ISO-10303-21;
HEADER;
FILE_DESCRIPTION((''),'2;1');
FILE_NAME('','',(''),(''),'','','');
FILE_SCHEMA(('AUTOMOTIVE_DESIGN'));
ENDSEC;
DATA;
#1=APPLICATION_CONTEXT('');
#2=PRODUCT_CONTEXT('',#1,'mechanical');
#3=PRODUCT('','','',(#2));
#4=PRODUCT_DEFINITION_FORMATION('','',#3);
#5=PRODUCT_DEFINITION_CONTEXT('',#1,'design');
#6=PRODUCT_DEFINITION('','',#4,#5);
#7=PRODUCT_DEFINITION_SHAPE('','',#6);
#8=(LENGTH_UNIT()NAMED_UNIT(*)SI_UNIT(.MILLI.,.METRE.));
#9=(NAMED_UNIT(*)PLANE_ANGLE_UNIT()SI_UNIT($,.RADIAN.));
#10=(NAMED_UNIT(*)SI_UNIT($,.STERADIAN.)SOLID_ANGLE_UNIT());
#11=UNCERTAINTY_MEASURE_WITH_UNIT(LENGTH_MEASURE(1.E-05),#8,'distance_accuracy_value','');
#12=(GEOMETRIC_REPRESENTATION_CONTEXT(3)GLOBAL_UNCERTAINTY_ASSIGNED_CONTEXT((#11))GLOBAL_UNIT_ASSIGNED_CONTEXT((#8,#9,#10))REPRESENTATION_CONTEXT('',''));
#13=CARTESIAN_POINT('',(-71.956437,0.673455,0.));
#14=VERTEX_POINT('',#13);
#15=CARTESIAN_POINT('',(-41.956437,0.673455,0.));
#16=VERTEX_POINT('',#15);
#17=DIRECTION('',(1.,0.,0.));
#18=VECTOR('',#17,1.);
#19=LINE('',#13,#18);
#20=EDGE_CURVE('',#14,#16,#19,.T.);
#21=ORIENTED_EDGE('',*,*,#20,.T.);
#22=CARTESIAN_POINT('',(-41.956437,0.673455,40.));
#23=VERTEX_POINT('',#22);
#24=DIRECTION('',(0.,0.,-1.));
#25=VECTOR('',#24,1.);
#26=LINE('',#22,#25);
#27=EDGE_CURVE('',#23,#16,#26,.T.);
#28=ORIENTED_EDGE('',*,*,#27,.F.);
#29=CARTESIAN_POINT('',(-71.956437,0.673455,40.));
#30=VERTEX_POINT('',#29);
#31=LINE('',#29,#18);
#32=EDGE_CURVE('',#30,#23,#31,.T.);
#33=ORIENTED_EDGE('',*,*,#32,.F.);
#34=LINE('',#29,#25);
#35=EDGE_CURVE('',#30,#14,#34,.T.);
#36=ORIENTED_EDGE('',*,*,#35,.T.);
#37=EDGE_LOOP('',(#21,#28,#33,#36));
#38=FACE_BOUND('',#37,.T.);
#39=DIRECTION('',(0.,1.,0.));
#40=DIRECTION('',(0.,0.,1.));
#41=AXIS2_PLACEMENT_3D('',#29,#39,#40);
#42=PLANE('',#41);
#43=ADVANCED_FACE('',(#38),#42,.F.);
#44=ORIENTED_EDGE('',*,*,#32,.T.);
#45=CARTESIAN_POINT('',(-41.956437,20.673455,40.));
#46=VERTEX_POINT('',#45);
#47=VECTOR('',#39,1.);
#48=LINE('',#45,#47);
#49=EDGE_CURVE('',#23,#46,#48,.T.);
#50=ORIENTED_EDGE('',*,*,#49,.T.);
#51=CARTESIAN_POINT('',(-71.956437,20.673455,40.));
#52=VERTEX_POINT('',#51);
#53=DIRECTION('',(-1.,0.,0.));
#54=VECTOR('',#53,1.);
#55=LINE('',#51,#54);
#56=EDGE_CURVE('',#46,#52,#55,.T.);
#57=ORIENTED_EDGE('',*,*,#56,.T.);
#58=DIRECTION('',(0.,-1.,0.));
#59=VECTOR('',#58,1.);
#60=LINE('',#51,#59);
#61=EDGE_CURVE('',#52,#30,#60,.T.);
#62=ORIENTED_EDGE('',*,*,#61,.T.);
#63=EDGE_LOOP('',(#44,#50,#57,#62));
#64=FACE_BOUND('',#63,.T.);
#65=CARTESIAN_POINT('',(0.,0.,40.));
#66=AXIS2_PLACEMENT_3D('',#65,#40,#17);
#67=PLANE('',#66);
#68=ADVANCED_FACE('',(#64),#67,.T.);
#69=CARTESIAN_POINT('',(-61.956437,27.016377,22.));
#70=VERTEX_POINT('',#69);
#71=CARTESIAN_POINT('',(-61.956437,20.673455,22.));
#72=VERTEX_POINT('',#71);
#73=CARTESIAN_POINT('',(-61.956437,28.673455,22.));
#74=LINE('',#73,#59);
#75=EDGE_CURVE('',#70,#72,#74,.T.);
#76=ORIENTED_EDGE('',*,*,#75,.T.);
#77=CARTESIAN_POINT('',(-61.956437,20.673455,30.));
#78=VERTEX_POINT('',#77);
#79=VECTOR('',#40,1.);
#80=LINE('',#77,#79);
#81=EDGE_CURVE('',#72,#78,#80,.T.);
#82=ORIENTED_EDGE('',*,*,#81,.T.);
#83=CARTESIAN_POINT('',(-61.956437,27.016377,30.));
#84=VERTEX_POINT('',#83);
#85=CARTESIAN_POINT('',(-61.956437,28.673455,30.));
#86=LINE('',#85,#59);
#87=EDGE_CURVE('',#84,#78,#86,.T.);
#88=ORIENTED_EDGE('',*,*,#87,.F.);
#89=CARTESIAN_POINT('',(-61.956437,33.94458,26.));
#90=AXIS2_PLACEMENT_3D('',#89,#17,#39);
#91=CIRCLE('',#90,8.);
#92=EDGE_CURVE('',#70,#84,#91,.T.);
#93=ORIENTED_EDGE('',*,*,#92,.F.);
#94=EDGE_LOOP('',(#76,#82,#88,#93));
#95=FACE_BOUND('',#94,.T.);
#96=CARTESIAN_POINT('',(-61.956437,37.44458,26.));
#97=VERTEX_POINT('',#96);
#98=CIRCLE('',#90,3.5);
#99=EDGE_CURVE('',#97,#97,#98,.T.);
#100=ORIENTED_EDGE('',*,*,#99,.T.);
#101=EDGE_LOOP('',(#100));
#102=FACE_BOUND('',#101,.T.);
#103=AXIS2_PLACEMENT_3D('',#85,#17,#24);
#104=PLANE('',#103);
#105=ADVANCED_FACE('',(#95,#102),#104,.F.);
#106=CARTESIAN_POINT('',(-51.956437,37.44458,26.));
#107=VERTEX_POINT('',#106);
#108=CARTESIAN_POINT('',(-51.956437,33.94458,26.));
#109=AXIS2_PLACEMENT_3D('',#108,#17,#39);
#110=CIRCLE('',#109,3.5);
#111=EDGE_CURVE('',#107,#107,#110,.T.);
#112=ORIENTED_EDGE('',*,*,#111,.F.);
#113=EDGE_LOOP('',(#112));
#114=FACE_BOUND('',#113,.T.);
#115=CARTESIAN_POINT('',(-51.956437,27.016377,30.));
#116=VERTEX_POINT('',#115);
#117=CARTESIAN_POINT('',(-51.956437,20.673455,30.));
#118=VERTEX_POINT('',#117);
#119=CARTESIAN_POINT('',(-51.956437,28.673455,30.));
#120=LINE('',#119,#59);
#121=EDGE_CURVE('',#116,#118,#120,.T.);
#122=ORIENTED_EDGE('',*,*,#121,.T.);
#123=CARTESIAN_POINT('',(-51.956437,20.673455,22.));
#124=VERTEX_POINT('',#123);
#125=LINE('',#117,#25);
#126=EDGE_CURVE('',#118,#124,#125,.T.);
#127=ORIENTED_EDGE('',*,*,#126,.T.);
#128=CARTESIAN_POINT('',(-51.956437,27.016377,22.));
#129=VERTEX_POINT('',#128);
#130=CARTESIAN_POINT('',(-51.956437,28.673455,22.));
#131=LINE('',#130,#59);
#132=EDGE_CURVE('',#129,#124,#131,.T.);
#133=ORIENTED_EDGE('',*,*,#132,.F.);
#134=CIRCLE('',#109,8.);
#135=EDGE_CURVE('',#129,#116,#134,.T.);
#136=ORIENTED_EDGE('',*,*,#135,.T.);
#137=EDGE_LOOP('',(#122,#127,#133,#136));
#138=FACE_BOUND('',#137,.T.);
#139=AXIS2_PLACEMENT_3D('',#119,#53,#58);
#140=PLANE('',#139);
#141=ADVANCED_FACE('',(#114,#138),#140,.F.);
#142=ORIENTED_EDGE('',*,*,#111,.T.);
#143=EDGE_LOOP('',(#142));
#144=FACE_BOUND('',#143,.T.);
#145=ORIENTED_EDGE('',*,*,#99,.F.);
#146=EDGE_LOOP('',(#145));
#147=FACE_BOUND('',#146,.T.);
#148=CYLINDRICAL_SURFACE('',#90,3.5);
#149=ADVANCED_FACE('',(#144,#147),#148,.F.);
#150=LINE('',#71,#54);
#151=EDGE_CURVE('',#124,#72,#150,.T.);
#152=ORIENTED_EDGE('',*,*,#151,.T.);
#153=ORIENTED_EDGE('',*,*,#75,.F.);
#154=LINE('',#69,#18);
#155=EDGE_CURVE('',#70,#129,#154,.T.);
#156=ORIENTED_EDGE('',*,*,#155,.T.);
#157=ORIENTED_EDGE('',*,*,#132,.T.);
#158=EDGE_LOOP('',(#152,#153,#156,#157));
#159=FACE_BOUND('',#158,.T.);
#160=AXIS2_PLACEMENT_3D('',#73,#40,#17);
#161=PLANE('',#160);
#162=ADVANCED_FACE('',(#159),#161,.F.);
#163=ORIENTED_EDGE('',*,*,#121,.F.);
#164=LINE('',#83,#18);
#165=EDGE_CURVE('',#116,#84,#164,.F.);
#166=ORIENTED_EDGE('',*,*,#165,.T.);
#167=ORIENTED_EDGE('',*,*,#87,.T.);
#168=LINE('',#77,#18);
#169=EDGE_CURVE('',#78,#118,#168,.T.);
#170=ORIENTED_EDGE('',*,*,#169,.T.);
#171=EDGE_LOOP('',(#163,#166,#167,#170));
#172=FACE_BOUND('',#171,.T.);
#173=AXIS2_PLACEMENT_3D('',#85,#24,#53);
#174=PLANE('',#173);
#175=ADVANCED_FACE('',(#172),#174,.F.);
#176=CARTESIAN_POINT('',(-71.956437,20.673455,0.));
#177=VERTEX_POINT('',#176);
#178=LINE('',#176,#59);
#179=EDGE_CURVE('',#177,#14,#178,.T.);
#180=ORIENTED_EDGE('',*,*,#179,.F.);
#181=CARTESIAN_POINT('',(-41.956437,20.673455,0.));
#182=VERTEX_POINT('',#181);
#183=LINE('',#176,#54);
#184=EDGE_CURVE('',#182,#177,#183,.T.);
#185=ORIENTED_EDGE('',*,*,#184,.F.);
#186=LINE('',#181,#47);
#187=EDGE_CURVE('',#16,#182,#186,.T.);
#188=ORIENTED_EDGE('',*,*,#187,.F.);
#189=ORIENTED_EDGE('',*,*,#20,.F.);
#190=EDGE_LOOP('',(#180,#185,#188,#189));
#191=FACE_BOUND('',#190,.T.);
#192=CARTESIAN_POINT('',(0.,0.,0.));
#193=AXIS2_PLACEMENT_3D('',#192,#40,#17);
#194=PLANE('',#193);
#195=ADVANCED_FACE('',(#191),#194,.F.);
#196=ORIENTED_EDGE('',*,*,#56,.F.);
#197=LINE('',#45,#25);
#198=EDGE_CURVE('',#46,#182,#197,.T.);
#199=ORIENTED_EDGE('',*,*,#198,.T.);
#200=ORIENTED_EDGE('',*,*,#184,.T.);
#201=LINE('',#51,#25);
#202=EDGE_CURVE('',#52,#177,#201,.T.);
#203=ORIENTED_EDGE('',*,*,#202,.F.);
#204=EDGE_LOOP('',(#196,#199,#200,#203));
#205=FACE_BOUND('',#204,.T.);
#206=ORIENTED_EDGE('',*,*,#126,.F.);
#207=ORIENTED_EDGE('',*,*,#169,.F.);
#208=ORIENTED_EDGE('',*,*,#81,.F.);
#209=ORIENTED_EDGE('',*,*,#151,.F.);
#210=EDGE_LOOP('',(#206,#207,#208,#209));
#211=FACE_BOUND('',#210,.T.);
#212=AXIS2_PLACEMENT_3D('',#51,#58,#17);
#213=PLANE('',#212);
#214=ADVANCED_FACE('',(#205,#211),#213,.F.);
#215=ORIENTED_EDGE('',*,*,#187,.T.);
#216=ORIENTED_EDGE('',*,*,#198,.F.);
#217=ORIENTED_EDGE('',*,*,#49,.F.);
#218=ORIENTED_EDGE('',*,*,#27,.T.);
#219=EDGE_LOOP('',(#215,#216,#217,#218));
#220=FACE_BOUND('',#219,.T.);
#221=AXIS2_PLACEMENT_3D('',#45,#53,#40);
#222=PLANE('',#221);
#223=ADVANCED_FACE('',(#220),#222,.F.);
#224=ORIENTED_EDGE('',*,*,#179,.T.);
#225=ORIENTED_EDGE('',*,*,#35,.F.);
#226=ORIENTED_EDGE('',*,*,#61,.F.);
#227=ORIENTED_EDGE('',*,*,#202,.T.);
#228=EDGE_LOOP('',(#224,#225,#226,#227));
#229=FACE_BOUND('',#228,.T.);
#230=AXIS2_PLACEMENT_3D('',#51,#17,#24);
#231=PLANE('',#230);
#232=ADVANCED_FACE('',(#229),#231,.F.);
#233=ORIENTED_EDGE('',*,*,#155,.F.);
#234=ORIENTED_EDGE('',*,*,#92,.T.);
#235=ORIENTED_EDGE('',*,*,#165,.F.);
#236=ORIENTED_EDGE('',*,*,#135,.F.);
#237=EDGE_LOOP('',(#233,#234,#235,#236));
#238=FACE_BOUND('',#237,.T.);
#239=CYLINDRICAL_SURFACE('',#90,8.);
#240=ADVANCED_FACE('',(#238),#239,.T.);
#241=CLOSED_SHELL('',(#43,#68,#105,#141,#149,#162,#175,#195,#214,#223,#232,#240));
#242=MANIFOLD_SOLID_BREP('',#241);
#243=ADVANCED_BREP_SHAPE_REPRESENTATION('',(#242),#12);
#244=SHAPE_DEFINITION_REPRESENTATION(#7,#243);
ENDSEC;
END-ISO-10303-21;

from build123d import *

# Parameters (mm, degrees)
ESQUISSE1_W        = 30
ESQUISSE1_H        = 20
BOSS_EXTRU_1_DEPTH = 40
ESQUISSE3_W        = 10
ESQUISSE3_H        = 8
BOSS_EXTRU_2_DEPTH = 8
ESQUISSE6_R        = 8
ESQUISSE6_R_2      = 3.5
BOSS_EXTRU_3_DEPTH = 10


with BuildPart() as part:
    # Esquisse1 → Boss.-Extru.1 (new body)
    with BuildSketch(Plane.XY):
        with Locations((-56.95643744, 10.673454793)):
            Rectangle(ESQUISSE1_W, ESQUISSE1_H)
    extrude(amount=BOSS_EXTRU_1_DEPTH)

    # Esquisse3 → Boss.-Extru.2 (add)
    with BuildSketch(Plane(origin=(0, 20.673454793, 0), x_dir=(1, 0, 0), z_dir=(0, 1, 0))):
        with Locations((-56.95643744, -26)):
            Rectangle(ESQUISSE3_W, ESQUISSE3_H)
    extrude(amount=BOSS_EXTRU_2_DEPTH)

    # Esquisse6 → Boss.-Extru.3 (add)
    with BuildSketch(Plane(origin=(-51.95643744, 0, 0), x_dir=(0, 0, -1), z_dir=(1, 0, 0))):
        with Locations((-26, 33.944580359)):
            Circle(ESQUISSE6_R)
        with Locations((-26, 33.944580359)):
            Circle(ESQUISSE6_R_2, mode=Mode.SUBTRACT)
    extrude(amount=-BOSS_EXTRU_3_DEPTH)


solid = part.part
